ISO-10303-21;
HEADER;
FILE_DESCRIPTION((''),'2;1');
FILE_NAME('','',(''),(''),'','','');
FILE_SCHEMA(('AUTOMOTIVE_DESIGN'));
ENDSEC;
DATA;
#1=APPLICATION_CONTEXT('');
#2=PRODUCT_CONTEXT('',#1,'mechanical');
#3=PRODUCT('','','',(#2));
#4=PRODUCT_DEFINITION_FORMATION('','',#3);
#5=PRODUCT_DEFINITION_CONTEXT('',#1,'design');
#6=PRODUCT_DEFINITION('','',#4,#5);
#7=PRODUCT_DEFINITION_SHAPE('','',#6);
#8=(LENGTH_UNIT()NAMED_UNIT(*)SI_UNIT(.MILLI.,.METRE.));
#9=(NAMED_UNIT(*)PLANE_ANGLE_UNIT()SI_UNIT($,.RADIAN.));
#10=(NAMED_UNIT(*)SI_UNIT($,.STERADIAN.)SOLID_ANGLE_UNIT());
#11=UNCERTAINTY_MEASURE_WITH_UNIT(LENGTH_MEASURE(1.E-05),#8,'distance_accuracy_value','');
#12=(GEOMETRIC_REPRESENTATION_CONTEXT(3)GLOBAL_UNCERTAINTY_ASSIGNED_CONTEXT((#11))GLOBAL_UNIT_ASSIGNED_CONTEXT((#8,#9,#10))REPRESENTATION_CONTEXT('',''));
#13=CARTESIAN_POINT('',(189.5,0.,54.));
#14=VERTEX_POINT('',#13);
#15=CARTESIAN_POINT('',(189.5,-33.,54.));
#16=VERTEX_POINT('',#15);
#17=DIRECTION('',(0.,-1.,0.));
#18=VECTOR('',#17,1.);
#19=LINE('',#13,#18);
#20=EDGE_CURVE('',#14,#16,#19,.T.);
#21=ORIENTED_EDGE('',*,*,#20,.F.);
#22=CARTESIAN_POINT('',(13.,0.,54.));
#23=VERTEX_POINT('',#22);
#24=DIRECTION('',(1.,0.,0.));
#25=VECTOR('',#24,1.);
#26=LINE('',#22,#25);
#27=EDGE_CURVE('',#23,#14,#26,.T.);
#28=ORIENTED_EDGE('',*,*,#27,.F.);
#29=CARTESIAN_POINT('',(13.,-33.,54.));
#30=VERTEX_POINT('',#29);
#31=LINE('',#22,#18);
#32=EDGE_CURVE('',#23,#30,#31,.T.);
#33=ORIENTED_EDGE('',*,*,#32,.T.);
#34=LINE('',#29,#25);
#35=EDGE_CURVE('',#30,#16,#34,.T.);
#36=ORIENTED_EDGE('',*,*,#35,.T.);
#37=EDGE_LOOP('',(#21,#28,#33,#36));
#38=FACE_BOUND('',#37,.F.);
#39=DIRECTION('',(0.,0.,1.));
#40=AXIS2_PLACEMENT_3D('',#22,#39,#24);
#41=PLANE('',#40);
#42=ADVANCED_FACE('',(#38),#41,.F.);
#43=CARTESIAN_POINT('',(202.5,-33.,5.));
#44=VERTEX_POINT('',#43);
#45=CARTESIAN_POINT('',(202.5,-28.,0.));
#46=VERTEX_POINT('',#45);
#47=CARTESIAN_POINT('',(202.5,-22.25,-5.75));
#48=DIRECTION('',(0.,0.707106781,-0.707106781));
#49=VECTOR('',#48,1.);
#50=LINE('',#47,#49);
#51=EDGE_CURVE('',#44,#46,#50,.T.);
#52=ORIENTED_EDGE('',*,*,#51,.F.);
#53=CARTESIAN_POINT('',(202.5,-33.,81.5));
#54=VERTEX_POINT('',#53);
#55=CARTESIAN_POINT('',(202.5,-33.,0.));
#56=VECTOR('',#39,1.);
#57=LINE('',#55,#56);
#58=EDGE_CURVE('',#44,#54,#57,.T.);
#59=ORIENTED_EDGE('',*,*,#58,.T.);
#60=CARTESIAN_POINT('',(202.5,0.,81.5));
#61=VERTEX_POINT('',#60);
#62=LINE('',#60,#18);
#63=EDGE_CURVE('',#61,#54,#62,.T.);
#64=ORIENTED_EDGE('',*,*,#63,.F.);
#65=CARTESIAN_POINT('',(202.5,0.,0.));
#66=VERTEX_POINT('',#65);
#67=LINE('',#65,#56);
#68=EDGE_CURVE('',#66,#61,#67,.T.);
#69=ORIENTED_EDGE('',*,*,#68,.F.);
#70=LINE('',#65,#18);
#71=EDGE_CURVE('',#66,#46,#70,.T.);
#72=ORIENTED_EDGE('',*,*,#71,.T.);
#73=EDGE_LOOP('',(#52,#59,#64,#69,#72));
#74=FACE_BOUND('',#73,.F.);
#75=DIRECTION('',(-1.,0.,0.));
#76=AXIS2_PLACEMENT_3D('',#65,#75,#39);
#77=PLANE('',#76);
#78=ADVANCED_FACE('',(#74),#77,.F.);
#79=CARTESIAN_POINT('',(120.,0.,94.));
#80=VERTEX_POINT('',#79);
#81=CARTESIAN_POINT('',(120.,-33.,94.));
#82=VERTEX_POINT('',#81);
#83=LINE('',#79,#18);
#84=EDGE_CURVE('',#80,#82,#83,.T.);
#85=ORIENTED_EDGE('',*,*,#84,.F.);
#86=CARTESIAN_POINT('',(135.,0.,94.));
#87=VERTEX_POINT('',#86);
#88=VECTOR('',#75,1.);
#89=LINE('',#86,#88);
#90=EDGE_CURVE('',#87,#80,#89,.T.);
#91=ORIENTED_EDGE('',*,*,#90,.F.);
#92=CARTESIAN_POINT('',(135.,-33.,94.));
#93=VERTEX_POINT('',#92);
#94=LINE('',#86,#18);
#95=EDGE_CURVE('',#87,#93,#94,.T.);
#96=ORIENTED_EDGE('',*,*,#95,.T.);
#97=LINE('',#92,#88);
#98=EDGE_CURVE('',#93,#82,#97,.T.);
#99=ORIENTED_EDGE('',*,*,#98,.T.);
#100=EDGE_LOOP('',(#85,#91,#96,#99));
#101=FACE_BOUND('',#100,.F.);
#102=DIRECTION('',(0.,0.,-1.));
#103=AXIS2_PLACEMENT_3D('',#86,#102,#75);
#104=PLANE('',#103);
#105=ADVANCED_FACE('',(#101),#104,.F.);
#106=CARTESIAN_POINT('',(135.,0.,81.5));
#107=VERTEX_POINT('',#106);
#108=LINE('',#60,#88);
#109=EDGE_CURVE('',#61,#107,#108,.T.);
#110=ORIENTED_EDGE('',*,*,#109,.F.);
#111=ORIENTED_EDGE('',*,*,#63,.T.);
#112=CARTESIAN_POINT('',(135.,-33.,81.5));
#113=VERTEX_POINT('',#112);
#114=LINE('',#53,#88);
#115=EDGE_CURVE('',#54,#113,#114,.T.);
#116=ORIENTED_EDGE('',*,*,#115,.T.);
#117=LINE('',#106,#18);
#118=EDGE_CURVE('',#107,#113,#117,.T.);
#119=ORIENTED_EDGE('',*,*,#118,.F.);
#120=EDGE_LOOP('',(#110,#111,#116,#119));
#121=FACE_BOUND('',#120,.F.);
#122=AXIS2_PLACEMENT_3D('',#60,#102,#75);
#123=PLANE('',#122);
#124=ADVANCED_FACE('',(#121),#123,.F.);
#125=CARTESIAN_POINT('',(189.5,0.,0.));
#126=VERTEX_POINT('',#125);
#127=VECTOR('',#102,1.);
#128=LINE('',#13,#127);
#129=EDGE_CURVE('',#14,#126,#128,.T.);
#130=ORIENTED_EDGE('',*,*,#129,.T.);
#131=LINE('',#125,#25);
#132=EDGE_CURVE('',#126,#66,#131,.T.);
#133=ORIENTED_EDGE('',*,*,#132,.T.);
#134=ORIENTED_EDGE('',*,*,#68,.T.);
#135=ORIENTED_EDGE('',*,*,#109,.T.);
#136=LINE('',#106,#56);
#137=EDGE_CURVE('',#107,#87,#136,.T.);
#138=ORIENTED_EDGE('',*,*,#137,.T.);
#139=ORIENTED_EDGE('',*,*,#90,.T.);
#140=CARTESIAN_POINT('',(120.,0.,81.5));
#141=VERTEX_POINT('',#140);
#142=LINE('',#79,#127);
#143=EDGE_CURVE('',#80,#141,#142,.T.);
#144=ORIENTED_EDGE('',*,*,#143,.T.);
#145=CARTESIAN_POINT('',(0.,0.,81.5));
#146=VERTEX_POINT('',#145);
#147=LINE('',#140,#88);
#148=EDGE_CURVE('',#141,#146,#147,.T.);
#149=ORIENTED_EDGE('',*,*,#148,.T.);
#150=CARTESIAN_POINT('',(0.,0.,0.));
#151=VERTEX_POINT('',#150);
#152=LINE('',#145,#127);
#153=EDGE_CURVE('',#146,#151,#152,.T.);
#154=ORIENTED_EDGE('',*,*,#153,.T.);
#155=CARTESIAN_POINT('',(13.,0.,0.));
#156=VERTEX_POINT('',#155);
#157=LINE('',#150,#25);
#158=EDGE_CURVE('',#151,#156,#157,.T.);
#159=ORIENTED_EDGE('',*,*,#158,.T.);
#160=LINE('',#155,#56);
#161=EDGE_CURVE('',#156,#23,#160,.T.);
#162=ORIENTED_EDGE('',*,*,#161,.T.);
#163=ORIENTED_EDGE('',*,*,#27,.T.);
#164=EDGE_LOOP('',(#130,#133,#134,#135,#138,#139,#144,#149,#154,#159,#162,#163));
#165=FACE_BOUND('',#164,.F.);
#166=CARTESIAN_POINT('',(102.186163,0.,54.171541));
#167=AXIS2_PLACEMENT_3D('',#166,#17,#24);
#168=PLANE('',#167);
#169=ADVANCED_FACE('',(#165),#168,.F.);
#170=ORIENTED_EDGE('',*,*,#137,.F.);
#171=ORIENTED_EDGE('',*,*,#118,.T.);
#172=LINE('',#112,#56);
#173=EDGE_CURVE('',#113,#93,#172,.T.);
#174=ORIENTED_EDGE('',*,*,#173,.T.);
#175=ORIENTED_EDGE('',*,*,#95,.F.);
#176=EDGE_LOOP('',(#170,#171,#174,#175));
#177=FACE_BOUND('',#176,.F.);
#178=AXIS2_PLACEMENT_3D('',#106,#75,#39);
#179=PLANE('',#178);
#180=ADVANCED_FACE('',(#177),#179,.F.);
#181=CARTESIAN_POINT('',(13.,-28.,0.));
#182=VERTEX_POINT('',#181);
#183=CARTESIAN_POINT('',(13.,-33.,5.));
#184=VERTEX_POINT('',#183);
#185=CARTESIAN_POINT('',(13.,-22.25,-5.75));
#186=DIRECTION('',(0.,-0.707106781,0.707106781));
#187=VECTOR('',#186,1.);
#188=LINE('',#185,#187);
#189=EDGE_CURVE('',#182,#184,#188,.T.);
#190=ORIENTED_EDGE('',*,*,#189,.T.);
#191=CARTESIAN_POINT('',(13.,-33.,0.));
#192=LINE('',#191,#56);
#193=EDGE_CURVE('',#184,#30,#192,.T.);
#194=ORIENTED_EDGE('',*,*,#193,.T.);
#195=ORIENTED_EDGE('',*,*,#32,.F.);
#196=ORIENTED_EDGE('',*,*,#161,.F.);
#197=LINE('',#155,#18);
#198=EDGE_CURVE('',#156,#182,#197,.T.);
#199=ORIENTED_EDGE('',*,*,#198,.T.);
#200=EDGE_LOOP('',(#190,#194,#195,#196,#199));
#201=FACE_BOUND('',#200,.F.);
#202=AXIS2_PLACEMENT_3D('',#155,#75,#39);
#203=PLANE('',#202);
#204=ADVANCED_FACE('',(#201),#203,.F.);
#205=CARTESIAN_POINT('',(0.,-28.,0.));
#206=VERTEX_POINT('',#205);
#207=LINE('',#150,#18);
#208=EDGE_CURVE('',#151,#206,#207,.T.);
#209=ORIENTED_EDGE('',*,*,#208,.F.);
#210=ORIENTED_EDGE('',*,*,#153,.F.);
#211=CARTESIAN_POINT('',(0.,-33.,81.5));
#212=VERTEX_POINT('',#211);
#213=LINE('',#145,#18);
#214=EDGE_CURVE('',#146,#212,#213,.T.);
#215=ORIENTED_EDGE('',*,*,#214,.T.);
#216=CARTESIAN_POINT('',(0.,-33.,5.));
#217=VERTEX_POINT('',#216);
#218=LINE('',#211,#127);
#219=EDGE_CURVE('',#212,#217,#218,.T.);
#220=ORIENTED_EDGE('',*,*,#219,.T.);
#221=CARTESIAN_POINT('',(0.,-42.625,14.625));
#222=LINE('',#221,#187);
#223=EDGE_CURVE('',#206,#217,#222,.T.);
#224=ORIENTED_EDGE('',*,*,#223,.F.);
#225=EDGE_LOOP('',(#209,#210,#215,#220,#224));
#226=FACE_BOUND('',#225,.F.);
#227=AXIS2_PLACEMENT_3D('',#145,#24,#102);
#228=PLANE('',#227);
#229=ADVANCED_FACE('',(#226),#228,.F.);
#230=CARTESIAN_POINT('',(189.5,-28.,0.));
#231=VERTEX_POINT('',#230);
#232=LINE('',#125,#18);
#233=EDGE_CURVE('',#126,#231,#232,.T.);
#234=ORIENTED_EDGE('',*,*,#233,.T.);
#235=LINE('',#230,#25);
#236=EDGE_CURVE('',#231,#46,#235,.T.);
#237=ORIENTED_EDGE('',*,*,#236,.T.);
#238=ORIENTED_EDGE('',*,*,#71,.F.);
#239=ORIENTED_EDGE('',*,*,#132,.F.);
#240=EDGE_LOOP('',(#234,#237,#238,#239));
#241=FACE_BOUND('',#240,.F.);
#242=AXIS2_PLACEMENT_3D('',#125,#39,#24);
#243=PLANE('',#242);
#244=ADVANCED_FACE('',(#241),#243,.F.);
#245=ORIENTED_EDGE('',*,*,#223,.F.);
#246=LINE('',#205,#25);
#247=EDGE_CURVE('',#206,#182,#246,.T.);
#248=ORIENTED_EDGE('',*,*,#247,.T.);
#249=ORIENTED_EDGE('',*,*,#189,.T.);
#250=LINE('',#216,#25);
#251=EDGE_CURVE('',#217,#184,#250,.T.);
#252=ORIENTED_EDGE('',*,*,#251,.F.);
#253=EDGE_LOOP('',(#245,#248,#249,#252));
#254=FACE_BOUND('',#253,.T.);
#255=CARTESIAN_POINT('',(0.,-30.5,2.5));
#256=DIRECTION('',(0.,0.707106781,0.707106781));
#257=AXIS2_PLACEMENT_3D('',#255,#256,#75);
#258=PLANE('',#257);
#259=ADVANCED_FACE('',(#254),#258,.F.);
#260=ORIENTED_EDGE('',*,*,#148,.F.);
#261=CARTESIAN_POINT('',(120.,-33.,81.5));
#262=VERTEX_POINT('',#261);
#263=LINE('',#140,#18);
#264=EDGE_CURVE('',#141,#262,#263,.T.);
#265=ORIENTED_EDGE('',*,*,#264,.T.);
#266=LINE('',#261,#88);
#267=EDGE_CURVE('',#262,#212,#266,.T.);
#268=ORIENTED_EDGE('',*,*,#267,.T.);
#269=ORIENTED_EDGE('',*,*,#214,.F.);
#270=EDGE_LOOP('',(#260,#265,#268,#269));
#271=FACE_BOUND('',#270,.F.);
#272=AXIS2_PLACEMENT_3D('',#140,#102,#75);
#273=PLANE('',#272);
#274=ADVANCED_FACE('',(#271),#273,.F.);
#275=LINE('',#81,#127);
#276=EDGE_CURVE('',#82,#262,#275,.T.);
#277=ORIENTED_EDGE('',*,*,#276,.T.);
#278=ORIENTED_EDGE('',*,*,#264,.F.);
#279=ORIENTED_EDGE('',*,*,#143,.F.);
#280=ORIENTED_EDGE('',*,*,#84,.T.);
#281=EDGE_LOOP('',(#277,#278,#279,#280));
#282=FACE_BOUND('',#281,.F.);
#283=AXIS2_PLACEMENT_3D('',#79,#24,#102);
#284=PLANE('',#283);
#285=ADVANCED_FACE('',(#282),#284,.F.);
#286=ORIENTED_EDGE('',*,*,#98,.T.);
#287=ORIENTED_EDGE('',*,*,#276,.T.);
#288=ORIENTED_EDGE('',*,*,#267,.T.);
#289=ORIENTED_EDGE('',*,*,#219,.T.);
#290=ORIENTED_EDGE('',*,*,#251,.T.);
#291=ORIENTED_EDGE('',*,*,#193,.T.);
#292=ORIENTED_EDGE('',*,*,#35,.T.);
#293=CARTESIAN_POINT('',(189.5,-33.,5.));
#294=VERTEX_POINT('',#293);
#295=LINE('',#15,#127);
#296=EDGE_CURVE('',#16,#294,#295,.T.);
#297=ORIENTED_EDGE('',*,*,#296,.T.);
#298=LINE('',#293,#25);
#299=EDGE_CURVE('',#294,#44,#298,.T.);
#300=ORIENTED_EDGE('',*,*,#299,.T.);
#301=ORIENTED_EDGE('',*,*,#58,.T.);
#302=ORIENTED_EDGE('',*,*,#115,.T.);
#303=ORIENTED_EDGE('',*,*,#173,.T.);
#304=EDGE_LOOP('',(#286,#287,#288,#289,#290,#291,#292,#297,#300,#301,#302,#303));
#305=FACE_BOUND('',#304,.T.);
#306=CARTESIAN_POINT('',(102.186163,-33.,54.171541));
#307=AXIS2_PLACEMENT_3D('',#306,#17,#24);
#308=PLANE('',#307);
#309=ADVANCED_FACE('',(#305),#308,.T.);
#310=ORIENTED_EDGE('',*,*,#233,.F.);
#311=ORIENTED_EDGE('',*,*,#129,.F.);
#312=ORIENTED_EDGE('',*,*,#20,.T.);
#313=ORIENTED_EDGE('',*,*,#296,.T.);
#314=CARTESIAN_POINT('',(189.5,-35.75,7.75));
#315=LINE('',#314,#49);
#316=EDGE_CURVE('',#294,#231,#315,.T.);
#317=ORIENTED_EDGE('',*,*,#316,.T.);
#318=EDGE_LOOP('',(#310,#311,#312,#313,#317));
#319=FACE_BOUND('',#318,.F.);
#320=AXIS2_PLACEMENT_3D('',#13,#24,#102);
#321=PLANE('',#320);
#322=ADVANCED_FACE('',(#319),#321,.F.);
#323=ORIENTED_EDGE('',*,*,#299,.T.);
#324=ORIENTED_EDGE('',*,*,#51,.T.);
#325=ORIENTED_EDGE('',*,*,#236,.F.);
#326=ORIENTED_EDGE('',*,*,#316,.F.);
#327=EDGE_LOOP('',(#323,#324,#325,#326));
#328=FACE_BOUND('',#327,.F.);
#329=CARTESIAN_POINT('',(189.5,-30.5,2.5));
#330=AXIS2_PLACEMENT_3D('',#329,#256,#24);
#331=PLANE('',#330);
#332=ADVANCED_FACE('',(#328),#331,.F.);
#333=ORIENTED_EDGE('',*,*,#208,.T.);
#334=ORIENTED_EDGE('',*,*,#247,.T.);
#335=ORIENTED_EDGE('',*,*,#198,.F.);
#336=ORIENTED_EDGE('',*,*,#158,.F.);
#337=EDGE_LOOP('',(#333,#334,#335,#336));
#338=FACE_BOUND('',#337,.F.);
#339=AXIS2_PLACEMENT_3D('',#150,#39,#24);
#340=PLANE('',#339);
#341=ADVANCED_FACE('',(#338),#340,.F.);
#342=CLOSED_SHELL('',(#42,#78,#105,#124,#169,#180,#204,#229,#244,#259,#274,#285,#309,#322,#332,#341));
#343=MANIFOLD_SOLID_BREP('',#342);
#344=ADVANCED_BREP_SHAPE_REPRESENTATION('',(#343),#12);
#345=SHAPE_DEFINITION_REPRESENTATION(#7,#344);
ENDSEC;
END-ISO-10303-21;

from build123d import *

# Parameters (mm, degrees)
F1_DEPTH = 33
F2_SIZE  = 5
F3_SIZE  = 5


with BuildPart() as f1:
    # F0 (on Front) → F1 (new body)
    with BuildSketch(Plane.XZ):
        Polygon((0, 81.5), (0, 0), (13, 0), (13, 54), (189.5, 54), (189.5, 0), (202.5, 0), (202.5, 81.5), (135, 81.5), (135, 94), (120, 94), (120, 81.5), align=None)
    extrude(amount=F1_DEPTH)

    # F2
    f2_edges = [f1.edges().sort_by_distance(p)[0] for p in [
        (6.5, -33, 0),
    ]]
    chamfer(f2_edges, length=F2_SIZE)

    # F3
    f3_edges = [f1.edges().sort_by_distance(p)[0] for p in [
        (196, -33, 0),
    ]]
    chamfer(f3_edges, length=F3_SIZE)


solid = f1.part
